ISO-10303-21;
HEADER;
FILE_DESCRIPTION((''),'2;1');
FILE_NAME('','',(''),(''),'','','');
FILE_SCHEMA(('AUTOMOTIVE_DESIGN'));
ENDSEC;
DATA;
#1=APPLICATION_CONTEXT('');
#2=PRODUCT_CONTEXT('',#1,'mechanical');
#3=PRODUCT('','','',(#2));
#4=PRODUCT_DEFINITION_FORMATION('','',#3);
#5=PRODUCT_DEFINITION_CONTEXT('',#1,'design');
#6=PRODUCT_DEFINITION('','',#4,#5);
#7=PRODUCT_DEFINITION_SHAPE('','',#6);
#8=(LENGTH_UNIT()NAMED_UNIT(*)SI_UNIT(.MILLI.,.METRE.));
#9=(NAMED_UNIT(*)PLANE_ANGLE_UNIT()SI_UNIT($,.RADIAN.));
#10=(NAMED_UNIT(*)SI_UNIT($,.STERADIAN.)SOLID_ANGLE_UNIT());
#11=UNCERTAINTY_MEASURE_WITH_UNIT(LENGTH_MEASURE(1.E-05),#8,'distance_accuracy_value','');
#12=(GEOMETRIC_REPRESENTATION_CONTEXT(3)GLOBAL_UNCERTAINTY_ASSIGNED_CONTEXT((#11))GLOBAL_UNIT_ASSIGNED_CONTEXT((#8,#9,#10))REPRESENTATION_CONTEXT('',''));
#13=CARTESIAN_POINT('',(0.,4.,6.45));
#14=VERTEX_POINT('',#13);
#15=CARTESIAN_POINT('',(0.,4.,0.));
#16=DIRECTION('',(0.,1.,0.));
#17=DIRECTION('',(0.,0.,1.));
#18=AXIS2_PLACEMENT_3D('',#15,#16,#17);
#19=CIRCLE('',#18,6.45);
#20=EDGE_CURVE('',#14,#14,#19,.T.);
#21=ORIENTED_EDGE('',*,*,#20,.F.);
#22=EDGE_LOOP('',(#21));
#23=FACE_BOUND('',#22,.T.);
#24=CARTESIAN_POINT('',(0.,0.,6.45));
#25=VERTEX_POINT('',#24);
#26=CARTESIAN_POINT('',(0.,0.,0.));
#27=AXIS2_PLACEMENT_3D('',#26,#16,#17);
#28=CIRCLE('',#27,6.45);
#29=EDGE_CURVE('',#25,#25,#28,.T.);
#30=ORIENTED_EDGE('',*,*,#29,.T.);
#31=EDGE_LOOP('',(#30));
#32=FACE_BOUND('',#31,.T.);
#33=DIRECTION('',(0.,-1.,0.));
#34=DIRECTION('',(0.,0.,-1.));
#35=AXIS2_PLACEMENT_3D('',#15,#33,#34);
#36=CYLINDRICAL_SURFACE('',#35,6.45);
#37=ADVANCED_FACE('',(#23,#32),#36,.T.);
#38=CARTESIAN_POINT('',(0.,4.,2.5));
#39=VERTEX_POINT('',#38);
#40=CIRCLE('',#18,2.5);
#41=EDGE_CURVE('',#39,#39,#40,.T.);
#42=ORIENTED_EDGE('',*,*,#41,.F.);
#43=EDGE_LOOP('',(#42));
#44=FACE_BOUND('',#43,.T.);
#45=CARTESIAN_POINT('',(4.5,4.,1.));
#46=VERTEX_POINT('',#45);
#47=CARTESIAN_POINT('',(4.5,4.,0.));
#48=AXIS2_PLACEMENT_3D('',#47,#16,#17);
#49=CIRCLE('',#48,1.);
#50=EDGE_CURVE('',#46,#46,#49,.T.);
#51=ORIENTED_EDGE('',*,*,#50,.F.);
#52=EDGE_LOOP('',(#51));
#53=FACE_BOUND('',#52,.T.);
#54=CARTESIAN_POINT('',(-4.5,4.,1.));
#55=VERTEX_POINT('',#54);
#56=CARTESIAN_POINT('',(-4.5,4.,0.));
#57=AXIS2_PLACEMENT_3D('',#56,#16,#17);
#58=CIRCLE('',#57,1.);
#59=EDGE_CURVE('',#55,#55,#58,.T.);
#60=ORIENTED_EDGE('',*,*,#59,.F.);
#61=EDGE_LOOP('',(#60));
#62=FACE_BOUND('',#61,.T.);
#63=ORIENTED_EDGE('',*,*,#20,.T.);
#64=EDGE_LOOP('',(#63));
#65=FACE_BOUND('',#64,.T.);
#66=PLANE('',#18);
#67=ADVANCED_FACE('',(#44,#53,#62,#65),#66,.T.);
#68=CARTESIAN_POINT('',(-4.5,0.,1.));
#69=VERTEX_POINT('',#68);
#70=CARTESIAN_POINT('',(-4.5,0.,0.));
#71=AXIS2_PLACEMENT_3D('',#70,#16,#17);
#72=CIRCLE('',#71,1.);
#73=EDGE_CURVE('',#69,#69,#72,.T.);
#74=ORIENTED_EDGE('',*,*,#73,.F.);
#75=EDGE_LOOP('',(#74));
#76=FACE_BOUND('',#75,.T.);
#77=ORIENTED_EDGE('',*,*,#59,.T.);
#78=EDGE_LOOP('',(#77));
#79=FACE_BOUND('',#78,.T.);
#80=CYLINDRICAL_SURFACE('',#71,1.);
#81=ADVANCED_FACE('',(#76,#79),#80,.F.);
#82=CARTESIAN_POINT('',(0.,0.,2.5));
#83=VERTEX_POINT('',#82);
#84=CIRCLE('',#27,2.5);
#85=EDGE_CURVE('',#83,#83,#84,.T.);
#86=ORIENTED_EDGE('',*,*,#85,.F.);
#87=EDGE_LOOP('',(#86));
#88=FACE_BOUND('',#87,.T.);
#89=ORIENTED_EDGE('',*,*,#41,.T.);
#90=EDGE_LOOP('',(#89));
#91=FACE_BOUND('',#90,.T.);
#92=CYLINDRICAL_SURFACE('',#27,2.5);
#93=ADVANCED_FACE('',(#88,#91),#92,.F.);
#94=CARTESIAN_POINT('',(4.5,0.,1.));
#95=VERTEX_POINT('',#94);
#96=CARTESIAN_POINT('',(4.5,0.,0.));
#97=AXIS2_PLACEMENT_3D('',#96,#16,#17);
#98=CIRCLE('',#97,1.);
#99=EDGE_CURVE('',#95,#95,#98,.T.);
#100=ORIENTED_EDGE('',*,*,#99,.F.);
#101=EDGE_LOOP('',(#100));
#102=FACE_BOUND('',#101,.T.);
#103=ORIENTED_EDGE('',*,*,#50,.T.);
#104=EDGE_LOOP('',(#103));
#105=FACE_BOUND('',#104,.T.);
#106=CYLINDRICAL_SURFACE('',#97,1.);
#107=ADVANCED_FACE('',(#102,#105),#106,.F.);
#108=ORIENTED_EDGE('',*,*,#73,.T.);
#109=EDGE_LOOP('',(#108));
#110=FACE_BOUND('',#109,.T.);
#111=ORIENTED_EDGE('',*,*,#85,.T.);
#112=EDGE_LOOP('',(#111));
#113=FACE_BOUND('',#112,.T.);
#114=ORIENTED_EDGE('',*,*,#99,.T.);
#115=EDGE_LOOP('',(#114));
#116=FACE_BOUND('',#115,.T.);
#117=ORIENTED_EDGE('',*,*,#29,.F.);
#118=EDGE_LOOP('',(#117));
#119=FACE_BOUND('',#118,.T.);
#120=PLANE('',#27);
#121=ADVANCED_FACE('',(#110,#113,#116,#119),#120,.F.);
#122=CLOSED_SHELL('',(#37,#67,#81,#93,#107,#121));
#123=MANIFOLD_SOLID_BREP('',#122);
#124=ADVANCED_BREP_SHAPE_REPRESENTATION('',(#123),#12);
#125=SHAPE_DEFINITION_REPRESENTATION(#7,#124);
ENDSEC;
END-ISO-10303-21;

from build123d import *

# Parameters (mm, degrees)
SKETCH1_R           = 6.45
BOSS_EXTRUDE1_DEPTH = 4
SKETCH2_R           = 2.5
SKETCH2_R_2         = 1
CUT_EXTRUDE1_DEPTH  = 4


with BuildPart() as part:
    # Sketch1 → Boss-Extrude1 (new body)
    with BuildSketch(Plane(origin=(0, 0, 0), x_dir=(1, 0, 0), z_dir=(0, 1, 0))):
        with Locations(Location((0, 0, 0), (0, 0, 270))):
            Circle(SKETCH1_R)
    extrude(amount=BOSS_EXTRUDE1_DEPTH)

    # Sketch2 → Cut-Extrude1 (cut)
    with BuildSketch(Plane(origin=(0, 4, 0), x_dir=(1, 0, 0), z_dir=(0, 1, 0))):
        with Locations(Location((0, 0, 0), (0, 0, 270))):
            Circle(SKETCH2_R)
        with Locations(Location((4.5, 0, 0), (0, 0, 270))):
            Circle(SKETCH2_R_2)
        with Locations(Location((-4.5, 0, 0), (0, 0, 270))):
            Circle(SKETCH2_R_2)
    extrude(amount=-CUT_EXTRUDE1_DEPTH, mode=Mode.SUBTRACT)


solid = part.part
